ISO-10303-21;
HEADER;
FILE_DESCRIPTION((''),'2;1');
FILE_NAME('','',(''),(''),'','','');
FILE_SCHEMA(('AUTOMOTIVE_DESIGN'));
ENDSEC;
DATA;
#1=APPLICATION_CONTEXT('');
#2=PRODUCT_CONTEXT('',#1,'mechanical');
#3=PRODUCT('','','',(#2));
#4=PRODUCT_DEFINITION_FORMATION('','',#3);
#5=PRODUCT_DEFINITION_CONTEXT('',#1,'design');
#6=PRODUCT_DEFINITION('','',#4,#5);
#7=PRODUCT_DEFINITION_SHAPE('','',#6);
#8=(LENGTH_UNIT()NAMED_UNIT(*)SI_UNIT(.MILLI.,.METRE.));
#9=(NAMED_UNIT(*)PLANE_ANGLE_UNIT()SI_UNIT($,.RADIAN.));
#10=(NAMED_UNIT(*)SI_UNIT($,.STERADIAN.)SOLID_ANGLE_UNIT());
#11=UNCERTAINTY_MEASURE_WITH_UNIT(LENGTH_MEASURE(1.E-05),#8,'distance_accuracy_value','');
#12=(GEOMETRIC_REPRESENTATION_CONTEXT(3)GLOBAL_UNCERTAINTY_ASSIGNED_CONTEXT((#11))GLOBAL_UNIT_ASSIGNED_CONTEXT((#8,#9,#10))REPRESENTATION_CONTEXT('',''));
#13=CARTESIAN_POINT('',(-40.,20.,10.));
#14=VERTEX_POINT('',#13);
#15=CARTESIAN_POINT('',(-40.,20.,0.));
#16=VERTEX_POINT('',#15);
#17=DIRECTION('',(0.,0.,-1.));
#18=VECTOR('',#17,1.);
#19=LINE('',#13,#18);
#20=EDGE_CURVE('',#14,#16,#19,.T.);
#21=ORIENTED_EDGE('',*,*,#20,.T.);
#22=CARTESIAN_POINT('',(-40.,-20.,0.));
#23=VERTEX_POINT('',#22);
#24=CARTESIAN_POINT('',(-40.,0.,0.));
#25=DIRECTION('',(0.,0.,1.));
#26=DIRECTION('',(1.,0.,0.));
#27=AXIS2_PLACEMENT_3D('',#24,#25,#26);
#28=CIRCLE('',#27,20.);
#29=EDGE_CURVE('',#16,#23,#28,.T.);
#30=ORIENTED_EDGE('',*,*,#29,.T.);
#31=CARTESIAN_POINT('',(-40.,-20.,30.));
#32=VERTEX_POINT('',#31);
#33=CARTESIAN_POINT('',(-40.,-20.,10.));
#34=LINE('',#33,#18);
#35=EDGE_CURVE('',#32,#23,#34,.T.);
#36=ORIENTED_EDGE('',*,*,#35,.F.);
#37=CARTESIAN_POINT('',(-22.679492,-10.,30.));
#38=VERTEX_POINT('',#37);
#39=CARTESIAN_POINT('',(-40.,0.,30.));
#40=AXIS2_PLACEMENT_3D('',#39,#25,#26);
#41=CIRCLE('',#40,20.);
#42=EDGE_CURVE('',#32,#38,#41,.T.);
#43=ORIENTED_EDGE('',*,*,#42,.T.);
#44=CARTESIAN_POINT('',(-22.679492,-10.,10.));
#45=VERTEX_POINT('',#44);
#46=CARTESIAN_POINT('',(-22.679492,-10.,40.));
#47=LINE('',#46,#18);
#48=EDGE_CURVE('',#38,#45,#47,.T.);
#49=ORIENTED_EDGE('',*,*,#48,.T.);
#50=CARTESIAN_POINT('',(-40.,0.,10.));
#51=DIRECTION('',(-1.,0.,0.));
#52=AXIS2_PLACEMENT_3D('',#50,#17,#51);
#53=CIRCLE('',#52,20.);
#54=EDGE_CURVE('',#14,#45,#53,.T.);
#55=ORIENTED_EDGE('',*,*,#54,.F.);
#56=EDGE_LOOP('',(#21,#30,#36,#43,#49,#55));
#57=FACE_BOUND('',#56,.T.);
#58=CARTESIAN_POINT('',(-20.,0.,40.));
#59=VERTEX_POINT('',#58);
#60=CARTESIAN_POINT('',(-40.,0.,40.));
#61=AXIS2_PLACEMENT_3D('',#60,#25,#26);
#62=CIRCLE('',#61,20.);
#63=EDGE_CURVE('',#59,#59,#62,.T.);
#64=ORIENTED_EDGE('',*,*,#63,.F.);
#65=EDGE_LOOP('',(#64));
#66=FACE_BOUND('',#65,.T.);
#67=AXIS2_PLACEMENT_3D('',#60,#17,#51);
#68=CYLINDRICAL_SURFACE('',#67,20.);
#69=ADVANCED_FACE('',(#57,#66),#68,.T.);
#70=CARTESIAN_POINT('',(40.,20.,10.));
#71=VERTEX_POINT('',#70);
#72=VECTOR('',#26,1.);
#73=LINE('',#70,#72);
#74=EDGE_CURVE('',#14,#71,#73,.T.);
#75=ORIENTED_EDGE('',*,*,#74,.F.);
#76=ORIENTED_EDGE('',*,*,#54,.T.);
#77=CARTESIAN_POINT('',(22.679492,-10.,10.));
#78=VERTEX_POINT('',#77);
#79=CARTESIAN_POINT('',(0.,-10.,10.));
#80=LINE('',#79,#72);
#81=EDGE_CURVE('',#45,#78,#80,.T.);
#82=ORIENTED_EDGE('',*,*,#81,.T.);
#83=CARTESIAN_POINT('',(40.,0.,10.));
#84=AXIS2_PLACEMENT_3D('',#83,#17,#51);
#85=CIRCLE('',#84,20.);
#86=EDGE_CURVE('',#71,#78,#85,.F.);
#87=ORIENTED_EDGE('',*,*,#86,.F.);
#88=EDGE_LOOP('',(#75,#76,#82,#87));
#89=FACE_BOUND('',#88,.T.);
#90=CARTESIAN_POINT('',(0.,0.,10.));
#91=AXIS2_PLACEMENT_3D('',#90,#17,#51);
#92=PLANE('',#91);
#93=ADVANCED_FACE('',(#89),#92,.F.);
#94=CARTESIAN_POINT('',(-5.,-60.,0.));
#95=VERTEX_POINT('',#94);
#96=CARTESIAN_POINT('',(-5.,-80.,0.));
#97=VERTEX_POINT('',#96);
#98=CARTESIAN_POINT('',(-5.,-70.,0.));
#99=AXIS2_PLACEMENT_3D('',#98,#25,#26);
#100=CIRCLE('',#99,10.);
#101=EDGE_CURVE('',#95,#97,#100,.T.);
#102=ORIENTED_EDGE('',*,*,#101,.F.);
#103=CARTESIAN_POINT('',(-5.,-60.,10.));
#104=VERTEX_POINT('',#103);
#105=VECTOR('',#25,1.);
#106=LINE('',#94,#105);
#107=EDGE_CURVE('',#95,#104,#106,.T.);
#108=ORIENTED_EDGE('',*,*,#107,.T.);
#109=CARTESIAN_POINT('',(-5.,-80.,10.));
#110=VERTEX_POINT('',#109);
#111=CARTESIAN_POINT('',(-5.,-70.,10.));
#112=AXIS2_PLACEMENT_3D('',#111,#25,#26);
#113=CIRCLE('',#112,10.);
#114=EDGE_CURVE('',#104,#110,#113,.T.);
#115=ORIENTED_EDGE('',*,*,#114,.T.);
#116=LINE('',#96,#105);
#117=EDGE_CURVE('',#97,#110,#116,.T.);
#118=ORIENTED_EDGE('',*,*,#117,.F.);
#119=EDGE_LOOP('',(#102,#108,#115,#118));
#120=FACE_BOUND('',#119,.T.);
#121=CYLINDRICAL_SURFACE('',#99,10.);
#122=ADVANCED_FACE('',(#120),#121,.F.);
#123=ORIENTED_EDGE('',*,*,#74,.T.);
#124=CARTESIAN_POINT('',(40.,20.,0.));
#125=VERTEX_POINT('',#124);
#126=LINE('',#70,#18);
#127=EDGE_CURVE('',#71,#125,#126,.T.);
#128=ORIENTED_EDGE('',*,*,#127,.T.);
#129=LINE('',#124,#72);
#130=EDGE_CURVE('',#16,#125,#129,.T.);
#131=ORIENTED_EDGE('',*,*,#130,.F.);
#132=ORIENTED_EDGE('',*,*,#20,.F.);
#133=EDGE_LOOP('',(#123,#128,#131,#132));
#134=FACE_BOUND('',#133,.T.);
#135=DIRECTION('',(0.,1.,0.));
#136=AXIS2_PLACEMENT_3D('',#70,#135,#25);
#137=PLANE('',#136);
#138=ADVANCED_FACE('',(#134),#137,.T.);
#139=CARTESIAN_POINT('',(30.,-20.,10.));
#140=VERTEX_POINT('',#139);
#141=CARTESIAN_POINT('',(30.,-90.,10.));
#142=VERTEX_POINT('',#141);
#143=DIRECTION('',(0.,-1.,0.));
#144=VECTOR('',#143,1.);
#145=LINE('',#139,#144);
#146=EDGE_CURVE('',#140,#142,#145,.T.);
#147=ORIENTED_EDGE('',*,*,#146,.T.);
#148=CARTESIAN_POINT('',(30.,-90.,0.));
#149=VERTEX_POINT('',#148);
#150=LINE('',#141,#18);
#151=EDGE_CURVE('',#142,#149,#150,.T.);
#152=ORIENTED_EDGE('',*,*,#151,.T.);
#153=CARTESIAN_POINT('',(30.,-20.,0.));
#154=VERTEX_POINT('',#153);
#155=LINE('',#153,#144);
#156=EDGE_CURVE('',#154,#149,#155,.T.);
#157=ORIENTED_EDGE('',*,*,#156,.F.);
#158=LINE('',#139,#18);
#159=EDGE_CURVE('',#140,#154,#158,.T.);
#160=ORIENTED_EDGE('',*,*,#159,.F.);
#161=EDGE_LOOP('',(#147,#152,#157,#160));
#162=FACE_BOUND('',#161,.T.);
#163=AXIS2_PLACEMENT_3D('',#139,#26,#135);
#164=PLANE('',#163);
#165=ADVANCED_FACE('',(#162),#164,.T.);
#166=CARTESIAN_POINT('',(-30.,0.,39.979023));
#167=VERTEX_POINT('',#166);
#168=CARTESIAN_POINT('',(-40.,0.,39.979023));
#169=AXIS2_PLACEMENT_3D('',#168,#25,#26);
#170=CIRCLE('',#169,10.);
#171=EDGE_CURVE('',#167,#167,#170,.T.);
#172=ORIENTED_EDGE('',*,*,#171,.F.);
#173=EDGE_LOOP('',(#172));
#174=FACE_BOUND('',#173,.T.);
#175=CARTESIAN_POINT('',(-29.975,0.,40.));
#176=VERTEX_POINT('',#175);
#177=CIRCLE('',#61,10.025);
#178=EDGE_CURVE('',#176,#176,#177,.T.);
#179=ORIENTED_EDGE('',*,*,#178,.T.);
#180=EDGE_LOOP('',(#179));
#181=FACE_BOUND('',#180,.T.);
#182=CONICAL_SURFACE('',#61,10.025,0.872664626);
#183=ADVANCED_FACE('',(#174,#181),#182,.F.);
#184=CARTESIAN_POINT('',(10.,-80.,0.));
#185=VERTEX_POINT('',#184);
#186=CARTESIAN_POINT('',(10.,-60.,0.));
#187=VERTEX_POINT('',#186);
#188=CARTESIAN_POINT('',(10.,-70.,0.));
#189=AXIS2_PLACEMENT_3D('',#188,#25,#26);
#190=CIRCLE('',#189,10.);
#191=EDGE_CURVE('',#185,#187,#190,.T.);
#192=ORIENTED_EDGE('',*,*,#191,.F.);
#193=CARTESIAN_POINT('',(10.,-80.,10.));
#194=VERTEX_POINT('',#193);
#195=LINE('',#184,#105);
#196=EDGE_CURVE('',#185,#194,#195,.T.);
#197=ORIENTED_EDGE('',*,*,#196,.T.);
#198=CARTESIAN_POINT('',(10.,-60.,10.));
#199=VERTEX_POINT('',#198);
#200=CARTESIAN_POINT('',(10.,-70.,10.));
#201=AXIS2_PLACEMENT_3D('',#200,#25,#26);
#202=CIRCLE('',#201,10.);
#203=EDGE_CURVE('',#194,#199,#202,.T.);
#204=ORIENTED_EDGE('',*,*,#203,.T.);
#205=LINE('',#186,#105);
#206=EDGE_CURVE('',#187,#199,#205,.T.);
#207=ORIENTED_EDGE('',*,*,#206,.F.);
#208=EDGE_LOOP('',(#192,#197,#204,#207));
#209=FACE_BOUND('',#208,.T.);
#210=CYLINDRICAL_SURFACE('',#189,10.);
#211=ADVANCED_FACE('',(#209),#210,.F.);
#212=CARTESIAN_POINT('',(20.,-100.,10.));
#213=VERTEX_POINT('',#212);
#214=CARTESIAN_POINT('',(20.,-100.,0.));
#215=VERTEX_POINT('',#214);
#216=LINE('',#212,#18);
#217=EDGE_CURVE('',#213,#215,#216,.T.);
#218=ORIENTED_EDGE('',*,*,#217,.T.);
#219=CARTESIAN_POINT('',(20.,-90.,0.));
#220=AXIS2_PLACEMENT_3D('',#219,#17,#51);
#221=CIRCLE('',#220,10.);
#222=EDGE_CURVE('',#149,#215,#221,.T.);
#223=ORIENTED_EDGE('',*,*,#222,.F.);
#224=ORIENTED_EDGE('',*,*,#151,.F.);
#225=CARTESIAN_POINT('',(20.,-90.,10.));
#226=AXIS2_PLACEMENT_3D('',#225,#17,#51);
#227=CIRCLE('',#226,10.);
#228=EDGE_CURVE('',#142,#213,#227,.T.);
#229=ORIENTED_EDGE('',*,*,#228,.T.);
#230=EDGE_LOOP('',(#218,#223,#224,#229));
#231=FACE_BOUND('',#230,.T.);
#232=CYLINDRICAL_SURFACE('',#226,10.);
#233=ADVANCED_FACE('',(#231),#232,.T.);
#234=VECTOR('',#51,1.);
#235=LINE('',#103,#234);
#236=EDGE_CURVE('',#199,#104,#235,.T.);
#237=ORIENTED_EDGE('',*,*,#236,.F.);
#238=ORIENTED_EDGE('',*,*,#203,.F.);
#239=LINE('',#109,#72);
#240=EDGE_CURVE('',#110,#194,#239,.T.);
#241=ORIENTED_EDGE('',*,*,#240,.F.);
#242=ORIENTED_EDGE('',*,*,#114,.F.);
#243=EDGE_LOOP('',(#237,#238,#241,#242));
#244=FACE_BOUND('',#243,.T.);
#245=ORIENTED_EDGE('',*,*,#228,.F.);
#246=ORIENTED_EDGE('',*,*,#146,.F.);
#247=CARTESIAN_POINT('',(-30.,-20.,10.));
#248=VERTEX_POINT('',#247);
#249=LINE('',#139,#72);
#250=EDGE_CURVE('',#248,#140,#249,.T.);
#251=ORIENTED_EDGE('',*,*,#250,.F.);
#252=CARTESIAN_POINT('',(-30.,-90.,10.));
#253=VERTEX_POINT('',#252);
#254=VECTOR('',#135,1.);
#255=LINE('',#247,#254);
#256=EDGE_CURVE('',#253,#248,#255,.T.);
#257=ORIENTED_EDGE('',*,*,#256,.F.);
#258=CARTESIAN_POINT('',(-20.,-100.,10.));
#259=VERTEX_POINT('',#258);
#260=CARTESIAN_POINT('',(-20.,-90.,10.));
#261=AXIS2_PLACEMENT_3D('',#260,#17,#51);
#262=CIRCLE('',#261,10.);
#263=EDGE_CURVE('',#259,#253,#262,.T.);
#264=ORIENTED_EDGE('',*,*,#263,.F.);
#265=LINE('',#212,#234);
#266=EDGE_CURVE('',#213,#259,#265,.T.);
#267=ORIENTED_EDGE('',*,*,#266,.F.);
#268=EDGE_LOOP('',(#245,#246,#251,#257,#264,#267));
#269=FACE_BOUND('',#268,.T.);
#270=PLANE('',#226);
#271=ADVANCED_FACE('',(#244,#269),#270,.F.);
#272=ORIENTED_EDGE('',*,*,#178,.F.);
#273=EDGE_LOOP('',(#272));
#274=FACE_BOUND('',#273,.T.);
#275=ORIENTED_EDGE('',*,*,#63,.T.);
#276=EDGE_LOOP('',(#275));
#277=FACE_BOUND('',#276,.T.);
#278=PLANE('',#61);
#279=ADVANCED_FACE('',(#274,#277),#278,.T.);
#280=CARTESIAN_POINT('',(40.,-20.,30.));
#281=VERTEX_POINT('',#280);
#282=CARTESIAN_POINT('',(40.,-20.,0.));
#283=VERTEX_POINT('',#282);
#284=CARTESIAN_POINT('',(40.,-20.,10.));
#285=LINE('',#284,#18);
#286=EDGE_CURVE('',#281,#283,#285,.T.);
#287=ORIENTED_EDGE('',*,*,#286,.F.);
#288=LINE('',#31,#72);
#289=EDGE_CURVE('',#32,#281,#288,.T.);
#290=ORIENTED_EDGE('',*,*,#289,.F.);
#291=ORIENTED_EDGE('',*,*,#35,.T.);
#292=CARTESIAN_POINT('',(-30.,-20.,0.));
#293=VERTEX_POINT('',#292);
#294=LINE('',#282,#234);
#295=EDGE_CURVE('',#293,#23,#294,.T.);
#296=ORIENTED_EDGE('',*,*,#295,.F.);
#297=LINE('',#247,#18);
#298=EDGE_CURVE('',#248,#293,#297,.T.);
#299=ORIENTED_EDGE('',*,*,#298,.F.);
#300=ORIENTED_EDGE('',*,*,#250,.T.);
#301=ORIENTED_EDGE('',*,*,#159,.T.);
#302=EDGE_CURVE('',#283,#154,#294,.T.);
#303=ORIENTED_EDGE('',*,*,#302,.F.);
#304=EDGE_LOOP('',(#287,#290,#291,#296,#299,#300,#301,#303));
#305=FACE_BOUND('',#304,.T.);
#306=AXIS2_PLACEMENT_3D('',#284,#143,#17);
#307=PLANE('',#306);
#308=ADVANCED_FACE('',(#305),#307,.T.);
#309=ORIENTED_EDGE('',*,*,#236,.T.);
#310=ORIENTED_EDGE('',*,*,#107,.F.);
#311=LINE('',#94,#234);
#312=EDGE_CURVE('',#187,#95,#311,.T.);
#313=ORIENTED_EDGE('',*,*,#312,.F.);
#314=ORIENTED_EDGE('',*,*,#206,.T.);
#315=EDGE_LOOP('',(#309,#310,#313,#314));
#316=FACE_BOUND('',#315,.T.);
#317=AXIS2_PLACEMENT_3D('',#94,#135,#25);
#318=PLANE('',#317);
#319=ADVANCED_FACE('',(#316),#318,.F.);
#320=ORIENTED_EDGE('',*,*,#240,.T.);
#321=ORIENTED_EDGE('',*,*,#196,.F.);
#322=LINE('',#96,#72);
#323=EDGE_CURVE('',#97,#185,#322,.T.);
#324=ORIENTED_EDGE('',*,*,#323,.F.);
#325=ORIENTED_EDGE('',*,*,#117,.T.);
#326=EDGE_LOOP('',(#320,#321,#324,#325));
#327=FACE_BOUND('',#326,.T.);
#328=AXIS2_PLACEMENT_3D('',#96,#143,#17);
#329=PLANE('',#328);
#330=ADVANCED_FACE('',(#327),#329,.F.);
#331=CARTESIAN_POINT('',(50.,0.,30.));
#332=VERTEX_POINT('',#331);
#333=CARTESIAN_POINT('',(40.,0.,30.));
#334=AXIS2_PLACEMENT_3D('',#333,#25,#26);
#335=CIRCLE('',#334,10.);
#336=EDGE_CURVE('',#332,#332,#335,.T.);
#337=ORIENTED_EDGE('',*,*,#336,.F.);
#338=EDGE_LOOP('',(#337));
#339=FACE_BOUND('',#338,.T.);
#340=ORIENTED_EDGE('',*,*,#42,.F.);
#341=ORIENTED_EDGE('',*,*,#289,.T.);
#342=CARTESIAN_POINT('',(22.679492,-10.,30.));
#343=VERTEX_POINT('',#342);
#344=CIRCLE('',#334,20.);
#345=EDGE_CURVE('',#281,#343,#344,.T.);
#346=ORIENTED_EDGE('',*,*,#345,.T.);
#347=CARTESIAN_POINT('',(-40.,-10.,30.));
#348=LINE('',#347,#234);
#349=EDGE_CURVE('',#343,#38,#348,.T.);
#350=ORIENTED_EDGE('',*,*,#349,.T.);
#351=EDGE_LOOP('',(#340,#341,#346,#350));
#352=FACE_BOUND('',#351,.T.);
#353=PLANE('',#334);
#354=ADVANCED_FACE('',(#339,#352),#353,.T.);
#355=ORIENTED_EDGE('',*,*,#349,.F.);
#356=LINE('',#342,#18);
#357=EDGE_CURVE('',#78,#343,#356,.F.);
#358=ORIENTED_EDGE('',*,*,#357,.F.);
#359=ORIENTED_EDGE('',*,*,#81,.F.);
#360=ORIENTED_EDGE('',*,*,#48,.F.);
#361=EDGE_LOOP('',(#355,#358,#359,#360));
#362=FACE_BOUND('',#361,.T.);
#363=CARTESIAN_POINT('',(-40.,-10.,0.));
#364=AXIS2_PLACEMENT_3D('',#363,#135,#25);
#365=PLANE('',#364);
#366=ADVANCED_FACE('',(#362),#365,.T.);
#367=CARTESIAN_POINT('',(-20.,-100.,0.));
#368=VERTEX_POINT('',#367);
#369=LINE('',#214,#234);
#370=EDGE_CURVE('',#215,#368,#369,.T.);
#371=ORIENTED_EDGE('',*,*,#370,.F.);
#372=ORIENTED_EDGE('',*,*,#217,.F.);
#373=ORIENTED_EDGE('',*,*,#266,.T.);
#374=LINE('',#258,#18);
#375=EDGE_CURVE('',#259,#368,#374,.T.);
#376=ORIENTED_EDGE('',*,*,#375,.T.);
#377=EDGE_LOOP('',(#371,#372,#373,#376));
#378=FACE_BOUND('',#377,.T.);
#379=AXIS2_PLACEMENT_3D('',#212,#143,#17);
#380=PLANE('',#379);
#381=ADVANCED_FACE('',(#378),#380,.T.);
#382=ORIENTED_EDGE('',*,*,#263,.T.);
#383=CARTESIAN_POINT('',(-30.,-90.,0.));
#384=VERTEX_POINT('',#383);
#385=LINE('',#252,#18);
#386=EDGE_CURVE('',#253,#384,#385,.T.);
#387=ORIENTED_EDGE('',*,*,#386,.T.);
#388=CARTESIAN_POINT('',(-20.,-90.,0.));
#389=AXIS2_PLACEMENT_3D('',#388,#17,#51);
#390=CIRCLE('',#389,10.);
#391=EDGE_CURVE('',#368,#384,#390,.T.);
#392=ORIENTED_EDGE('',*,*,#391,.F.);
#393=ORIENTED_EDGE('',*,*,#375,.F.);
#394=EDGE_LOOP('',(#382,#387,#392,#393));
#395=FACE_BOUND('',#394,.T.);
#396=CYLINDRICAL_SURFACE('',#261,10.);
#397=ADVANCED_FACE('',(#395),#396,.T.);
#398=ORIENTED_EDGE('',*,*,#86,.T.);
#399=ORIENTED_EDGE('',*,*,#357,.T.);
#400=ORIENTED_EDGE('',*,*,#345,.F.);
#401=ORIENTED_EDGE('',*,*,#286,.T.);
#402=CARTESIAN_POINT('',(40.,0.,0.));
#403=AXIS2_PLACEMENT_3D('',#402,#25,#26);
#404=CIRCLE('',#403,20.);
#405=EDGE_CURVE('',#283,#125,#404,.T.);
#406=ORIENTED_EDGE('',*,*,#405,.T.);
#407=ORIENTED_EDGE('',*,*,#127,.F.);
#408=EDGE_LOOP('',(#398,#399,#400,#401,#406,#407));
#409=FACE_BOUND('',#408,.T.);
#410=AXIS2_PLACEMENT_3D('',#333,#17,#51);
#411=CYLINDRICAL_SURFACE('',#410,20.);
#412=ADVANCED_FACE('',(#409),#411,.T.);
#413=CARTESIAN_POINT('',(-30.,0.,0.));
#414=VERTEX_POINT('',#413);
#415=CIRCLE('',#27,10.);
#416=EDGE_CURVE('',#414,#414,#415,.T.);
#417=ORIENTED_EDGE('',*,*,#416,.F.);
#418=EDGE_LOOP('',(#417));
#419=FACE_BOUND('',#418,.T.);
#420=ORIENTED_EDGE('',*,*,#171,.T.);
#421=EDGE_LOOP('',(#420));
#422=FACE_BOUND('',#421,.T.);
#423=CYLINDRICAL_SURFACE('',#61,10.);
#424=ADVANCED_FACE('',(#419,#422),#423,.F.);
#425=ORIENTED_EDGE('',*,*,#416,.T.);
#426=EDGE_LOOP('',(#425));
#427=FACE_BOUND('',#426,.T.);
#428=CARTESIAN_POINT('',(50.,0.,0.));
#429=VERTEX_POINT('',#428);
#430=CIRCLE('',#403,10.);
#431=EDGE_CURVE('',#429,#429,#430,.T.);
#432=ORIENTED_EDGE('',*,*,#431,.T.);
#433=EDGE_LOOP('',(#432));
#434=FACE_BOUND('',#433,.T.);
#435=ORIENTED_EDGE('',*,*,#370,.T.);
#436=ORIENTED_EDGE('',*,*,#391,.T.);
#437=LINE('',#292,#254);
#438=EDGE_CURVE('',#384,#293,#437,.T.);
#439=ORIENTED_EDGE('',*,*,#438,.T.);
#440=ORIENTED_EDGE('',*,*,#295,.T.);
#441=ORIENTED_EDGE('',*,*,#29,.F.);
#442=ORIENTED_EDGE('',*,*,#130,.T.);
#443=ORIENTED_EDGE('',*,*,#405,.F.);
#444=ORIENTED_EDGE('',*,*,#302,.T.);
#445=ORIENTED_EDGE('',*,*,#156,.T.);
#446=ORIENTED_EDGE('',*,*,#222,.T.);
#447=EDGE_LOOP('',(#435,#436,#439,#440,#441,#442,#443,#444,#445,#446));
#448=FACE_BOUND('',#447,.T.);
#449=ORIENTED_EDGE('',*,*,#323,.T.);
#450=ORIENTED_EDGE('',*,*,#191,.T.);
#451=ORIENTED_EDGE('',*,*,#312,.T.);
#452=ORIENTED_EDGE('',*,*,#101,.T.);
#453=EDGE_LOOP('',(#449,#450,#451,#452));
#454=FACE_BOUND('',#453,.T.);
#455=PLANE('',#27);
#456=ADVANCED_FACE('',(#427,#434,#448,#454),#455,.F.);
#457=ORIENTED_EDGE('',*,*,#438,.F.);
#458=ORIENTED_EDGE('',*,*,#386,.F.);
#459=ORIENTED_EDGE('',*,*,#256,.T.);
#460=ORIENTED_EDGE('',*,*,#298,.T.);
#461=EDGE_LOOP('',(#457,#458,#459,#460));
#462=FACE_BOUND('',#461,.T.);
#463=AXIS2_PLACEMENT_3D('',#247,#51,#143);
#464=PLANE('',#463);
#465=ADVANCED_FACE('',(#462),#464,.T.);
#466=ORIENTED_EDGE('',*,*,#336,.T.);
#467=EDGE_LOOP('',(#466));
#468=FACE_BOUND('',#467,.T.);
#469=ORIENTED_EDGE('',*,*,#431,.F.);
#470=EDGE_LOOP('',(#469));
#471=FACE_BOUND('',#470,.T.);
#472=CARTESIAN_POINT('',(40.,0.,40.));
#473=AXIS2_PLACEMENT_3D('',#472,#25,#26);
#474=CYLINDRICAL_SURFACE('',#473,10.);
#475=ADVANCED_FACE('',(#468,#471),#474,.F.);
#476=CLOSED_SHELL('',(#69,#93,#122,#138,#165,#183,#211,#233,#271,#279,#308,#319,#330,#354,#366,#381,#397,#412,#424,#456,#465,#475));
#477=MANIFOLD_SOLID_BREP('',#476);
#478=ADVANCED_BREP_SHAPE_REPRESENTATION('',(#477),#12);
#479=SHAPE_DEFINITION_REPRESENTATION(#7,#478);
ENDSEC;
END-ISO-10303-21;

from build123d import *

# Parameters (mm, degrees)
SKETCH1_R                        = 20
BOSS_EXTRUDE1_DEPTH              = 40
SKETCH1_3_R                      = 20
BOSS_EXTRUDE2_DEPTH              = 30
SKETCH2_W                        = 80
SKETCH2_H                        = 40
BOSS_EXTRUDE3_DEPTH              = 10
SKETCH3_W                        = 80
SKETCH3_H                        = 10
BOSS_EXTRUDE4_DEPTH              = 30
BOSS_EXTRUDE5_DEPTH              = 10
CUT_EXTRUDE1_DEPTH               = 121.415945788
F_20_0MM_DOWEL_HOLE1_D           = 20
F_20_0MM_DOWEL_HOLE1_CSINK_D     = 20.05
F_20_0MM_DOWEL_HOLE1_CSINK_ANGLE = 100


with BuildPart() as part:
    # Sketch1 → Boss-Extrude1 (new body)
    with BuildSketch(Plane.XY):
        with Locations((-40, 0)):
            Circle(SKETCH1_R)
    extrude(amount=BOSS_EXTRUDE1_DEPTH)



with BuildPart() as body_2:
    # Sketch1<3> → Boss-Extrude2 (new body)
    with BuildSketch(Plane.XY):
        with Locations((40, 0)):
            Circle(SKETCH1_3_R)
    extrude(amount=BOSS_EXTRUDE2_DEPTH)


with BuildPart() as part_1:
    add(part.part)

    add(body_2.part)  # Boss-Extrude3 merges body 2
    # Sketch2 → Boss-Extrude3 (add)
    with BuildSketch(Plane(origin=(0, 0, 0), x_dir=(-1, 0, 0), z_dir=(0, 0, -1))):
        Rectangle(SKETCH2_W, SKETCH2_H)
    extrude(amount=-BOSS_EXTRUDE3_DEPTH)

    # Sketch3 → Boss-Extrude4 (add)
    with BuildSketch(Plane.XY.offset(30)):
        with Locations((0, -15)):
            Rectangle(SKETCH3_W, SKETCH3_H)
    extrude(amount=-BOSS_EXTRUDE4_DEPTH)

    # Sketch4 → Boss-Extrude5 (add)
    with BuildSketch(Plane(origin=(0, 0, 0), x_dir=(-1, 0, 0), z_dir=(0, 0, -1))):
        with BuildLine():
            Line((-30, -20), (30, -20))
            Line((30, -20), (30, -90))
            ThreePointArc((30, -90), (27.071067812, -97.071067812), (20, -100))
            Line((20, -100), (-20, -100))
            ThreePointArc((-20, -100), (-27.071067812, -97.071067812), (-30, -90))
            Line((-30, -90), (-30, -20))
        make_face()
    extrude(amount=-BOSS_EXTRUDE5_DEPTH)

    # Sketch5 → Cut-Extrude1 (cut, through all)
    with BuildSketch(Plane.XY.offset(10)):
        with BuildLine():
            Line((-5, -60), (10, -60))
            ThreePointArc((10, -60), (20, -70), (10, -80))
            Line((10, -80), (-5, -80))
            ThreePointArc((-5, -80), (-15, -70), (-5, -60))
        make_face()
    extrude(amount=-CUT_EXTRUDE1_DEPTH, mode=Mode.SUBTRACT)

    # Ø20.0mm Dowel Hole1 (through all)
    with Locations(Plane.XY.offset(40)):
        with Locations((-40, 0), (40, 0)):
            CounterSinkHole(F_20_0MM_DOWEL_HOLE1_D / 2, F_20_0MM_DOWEL_HOLE1_CSINK_D / 2, counter_sink_angle=F_20_0MM_DOWEL_HOLE1_CSINK_ANGLE)


solid = part_1.part
